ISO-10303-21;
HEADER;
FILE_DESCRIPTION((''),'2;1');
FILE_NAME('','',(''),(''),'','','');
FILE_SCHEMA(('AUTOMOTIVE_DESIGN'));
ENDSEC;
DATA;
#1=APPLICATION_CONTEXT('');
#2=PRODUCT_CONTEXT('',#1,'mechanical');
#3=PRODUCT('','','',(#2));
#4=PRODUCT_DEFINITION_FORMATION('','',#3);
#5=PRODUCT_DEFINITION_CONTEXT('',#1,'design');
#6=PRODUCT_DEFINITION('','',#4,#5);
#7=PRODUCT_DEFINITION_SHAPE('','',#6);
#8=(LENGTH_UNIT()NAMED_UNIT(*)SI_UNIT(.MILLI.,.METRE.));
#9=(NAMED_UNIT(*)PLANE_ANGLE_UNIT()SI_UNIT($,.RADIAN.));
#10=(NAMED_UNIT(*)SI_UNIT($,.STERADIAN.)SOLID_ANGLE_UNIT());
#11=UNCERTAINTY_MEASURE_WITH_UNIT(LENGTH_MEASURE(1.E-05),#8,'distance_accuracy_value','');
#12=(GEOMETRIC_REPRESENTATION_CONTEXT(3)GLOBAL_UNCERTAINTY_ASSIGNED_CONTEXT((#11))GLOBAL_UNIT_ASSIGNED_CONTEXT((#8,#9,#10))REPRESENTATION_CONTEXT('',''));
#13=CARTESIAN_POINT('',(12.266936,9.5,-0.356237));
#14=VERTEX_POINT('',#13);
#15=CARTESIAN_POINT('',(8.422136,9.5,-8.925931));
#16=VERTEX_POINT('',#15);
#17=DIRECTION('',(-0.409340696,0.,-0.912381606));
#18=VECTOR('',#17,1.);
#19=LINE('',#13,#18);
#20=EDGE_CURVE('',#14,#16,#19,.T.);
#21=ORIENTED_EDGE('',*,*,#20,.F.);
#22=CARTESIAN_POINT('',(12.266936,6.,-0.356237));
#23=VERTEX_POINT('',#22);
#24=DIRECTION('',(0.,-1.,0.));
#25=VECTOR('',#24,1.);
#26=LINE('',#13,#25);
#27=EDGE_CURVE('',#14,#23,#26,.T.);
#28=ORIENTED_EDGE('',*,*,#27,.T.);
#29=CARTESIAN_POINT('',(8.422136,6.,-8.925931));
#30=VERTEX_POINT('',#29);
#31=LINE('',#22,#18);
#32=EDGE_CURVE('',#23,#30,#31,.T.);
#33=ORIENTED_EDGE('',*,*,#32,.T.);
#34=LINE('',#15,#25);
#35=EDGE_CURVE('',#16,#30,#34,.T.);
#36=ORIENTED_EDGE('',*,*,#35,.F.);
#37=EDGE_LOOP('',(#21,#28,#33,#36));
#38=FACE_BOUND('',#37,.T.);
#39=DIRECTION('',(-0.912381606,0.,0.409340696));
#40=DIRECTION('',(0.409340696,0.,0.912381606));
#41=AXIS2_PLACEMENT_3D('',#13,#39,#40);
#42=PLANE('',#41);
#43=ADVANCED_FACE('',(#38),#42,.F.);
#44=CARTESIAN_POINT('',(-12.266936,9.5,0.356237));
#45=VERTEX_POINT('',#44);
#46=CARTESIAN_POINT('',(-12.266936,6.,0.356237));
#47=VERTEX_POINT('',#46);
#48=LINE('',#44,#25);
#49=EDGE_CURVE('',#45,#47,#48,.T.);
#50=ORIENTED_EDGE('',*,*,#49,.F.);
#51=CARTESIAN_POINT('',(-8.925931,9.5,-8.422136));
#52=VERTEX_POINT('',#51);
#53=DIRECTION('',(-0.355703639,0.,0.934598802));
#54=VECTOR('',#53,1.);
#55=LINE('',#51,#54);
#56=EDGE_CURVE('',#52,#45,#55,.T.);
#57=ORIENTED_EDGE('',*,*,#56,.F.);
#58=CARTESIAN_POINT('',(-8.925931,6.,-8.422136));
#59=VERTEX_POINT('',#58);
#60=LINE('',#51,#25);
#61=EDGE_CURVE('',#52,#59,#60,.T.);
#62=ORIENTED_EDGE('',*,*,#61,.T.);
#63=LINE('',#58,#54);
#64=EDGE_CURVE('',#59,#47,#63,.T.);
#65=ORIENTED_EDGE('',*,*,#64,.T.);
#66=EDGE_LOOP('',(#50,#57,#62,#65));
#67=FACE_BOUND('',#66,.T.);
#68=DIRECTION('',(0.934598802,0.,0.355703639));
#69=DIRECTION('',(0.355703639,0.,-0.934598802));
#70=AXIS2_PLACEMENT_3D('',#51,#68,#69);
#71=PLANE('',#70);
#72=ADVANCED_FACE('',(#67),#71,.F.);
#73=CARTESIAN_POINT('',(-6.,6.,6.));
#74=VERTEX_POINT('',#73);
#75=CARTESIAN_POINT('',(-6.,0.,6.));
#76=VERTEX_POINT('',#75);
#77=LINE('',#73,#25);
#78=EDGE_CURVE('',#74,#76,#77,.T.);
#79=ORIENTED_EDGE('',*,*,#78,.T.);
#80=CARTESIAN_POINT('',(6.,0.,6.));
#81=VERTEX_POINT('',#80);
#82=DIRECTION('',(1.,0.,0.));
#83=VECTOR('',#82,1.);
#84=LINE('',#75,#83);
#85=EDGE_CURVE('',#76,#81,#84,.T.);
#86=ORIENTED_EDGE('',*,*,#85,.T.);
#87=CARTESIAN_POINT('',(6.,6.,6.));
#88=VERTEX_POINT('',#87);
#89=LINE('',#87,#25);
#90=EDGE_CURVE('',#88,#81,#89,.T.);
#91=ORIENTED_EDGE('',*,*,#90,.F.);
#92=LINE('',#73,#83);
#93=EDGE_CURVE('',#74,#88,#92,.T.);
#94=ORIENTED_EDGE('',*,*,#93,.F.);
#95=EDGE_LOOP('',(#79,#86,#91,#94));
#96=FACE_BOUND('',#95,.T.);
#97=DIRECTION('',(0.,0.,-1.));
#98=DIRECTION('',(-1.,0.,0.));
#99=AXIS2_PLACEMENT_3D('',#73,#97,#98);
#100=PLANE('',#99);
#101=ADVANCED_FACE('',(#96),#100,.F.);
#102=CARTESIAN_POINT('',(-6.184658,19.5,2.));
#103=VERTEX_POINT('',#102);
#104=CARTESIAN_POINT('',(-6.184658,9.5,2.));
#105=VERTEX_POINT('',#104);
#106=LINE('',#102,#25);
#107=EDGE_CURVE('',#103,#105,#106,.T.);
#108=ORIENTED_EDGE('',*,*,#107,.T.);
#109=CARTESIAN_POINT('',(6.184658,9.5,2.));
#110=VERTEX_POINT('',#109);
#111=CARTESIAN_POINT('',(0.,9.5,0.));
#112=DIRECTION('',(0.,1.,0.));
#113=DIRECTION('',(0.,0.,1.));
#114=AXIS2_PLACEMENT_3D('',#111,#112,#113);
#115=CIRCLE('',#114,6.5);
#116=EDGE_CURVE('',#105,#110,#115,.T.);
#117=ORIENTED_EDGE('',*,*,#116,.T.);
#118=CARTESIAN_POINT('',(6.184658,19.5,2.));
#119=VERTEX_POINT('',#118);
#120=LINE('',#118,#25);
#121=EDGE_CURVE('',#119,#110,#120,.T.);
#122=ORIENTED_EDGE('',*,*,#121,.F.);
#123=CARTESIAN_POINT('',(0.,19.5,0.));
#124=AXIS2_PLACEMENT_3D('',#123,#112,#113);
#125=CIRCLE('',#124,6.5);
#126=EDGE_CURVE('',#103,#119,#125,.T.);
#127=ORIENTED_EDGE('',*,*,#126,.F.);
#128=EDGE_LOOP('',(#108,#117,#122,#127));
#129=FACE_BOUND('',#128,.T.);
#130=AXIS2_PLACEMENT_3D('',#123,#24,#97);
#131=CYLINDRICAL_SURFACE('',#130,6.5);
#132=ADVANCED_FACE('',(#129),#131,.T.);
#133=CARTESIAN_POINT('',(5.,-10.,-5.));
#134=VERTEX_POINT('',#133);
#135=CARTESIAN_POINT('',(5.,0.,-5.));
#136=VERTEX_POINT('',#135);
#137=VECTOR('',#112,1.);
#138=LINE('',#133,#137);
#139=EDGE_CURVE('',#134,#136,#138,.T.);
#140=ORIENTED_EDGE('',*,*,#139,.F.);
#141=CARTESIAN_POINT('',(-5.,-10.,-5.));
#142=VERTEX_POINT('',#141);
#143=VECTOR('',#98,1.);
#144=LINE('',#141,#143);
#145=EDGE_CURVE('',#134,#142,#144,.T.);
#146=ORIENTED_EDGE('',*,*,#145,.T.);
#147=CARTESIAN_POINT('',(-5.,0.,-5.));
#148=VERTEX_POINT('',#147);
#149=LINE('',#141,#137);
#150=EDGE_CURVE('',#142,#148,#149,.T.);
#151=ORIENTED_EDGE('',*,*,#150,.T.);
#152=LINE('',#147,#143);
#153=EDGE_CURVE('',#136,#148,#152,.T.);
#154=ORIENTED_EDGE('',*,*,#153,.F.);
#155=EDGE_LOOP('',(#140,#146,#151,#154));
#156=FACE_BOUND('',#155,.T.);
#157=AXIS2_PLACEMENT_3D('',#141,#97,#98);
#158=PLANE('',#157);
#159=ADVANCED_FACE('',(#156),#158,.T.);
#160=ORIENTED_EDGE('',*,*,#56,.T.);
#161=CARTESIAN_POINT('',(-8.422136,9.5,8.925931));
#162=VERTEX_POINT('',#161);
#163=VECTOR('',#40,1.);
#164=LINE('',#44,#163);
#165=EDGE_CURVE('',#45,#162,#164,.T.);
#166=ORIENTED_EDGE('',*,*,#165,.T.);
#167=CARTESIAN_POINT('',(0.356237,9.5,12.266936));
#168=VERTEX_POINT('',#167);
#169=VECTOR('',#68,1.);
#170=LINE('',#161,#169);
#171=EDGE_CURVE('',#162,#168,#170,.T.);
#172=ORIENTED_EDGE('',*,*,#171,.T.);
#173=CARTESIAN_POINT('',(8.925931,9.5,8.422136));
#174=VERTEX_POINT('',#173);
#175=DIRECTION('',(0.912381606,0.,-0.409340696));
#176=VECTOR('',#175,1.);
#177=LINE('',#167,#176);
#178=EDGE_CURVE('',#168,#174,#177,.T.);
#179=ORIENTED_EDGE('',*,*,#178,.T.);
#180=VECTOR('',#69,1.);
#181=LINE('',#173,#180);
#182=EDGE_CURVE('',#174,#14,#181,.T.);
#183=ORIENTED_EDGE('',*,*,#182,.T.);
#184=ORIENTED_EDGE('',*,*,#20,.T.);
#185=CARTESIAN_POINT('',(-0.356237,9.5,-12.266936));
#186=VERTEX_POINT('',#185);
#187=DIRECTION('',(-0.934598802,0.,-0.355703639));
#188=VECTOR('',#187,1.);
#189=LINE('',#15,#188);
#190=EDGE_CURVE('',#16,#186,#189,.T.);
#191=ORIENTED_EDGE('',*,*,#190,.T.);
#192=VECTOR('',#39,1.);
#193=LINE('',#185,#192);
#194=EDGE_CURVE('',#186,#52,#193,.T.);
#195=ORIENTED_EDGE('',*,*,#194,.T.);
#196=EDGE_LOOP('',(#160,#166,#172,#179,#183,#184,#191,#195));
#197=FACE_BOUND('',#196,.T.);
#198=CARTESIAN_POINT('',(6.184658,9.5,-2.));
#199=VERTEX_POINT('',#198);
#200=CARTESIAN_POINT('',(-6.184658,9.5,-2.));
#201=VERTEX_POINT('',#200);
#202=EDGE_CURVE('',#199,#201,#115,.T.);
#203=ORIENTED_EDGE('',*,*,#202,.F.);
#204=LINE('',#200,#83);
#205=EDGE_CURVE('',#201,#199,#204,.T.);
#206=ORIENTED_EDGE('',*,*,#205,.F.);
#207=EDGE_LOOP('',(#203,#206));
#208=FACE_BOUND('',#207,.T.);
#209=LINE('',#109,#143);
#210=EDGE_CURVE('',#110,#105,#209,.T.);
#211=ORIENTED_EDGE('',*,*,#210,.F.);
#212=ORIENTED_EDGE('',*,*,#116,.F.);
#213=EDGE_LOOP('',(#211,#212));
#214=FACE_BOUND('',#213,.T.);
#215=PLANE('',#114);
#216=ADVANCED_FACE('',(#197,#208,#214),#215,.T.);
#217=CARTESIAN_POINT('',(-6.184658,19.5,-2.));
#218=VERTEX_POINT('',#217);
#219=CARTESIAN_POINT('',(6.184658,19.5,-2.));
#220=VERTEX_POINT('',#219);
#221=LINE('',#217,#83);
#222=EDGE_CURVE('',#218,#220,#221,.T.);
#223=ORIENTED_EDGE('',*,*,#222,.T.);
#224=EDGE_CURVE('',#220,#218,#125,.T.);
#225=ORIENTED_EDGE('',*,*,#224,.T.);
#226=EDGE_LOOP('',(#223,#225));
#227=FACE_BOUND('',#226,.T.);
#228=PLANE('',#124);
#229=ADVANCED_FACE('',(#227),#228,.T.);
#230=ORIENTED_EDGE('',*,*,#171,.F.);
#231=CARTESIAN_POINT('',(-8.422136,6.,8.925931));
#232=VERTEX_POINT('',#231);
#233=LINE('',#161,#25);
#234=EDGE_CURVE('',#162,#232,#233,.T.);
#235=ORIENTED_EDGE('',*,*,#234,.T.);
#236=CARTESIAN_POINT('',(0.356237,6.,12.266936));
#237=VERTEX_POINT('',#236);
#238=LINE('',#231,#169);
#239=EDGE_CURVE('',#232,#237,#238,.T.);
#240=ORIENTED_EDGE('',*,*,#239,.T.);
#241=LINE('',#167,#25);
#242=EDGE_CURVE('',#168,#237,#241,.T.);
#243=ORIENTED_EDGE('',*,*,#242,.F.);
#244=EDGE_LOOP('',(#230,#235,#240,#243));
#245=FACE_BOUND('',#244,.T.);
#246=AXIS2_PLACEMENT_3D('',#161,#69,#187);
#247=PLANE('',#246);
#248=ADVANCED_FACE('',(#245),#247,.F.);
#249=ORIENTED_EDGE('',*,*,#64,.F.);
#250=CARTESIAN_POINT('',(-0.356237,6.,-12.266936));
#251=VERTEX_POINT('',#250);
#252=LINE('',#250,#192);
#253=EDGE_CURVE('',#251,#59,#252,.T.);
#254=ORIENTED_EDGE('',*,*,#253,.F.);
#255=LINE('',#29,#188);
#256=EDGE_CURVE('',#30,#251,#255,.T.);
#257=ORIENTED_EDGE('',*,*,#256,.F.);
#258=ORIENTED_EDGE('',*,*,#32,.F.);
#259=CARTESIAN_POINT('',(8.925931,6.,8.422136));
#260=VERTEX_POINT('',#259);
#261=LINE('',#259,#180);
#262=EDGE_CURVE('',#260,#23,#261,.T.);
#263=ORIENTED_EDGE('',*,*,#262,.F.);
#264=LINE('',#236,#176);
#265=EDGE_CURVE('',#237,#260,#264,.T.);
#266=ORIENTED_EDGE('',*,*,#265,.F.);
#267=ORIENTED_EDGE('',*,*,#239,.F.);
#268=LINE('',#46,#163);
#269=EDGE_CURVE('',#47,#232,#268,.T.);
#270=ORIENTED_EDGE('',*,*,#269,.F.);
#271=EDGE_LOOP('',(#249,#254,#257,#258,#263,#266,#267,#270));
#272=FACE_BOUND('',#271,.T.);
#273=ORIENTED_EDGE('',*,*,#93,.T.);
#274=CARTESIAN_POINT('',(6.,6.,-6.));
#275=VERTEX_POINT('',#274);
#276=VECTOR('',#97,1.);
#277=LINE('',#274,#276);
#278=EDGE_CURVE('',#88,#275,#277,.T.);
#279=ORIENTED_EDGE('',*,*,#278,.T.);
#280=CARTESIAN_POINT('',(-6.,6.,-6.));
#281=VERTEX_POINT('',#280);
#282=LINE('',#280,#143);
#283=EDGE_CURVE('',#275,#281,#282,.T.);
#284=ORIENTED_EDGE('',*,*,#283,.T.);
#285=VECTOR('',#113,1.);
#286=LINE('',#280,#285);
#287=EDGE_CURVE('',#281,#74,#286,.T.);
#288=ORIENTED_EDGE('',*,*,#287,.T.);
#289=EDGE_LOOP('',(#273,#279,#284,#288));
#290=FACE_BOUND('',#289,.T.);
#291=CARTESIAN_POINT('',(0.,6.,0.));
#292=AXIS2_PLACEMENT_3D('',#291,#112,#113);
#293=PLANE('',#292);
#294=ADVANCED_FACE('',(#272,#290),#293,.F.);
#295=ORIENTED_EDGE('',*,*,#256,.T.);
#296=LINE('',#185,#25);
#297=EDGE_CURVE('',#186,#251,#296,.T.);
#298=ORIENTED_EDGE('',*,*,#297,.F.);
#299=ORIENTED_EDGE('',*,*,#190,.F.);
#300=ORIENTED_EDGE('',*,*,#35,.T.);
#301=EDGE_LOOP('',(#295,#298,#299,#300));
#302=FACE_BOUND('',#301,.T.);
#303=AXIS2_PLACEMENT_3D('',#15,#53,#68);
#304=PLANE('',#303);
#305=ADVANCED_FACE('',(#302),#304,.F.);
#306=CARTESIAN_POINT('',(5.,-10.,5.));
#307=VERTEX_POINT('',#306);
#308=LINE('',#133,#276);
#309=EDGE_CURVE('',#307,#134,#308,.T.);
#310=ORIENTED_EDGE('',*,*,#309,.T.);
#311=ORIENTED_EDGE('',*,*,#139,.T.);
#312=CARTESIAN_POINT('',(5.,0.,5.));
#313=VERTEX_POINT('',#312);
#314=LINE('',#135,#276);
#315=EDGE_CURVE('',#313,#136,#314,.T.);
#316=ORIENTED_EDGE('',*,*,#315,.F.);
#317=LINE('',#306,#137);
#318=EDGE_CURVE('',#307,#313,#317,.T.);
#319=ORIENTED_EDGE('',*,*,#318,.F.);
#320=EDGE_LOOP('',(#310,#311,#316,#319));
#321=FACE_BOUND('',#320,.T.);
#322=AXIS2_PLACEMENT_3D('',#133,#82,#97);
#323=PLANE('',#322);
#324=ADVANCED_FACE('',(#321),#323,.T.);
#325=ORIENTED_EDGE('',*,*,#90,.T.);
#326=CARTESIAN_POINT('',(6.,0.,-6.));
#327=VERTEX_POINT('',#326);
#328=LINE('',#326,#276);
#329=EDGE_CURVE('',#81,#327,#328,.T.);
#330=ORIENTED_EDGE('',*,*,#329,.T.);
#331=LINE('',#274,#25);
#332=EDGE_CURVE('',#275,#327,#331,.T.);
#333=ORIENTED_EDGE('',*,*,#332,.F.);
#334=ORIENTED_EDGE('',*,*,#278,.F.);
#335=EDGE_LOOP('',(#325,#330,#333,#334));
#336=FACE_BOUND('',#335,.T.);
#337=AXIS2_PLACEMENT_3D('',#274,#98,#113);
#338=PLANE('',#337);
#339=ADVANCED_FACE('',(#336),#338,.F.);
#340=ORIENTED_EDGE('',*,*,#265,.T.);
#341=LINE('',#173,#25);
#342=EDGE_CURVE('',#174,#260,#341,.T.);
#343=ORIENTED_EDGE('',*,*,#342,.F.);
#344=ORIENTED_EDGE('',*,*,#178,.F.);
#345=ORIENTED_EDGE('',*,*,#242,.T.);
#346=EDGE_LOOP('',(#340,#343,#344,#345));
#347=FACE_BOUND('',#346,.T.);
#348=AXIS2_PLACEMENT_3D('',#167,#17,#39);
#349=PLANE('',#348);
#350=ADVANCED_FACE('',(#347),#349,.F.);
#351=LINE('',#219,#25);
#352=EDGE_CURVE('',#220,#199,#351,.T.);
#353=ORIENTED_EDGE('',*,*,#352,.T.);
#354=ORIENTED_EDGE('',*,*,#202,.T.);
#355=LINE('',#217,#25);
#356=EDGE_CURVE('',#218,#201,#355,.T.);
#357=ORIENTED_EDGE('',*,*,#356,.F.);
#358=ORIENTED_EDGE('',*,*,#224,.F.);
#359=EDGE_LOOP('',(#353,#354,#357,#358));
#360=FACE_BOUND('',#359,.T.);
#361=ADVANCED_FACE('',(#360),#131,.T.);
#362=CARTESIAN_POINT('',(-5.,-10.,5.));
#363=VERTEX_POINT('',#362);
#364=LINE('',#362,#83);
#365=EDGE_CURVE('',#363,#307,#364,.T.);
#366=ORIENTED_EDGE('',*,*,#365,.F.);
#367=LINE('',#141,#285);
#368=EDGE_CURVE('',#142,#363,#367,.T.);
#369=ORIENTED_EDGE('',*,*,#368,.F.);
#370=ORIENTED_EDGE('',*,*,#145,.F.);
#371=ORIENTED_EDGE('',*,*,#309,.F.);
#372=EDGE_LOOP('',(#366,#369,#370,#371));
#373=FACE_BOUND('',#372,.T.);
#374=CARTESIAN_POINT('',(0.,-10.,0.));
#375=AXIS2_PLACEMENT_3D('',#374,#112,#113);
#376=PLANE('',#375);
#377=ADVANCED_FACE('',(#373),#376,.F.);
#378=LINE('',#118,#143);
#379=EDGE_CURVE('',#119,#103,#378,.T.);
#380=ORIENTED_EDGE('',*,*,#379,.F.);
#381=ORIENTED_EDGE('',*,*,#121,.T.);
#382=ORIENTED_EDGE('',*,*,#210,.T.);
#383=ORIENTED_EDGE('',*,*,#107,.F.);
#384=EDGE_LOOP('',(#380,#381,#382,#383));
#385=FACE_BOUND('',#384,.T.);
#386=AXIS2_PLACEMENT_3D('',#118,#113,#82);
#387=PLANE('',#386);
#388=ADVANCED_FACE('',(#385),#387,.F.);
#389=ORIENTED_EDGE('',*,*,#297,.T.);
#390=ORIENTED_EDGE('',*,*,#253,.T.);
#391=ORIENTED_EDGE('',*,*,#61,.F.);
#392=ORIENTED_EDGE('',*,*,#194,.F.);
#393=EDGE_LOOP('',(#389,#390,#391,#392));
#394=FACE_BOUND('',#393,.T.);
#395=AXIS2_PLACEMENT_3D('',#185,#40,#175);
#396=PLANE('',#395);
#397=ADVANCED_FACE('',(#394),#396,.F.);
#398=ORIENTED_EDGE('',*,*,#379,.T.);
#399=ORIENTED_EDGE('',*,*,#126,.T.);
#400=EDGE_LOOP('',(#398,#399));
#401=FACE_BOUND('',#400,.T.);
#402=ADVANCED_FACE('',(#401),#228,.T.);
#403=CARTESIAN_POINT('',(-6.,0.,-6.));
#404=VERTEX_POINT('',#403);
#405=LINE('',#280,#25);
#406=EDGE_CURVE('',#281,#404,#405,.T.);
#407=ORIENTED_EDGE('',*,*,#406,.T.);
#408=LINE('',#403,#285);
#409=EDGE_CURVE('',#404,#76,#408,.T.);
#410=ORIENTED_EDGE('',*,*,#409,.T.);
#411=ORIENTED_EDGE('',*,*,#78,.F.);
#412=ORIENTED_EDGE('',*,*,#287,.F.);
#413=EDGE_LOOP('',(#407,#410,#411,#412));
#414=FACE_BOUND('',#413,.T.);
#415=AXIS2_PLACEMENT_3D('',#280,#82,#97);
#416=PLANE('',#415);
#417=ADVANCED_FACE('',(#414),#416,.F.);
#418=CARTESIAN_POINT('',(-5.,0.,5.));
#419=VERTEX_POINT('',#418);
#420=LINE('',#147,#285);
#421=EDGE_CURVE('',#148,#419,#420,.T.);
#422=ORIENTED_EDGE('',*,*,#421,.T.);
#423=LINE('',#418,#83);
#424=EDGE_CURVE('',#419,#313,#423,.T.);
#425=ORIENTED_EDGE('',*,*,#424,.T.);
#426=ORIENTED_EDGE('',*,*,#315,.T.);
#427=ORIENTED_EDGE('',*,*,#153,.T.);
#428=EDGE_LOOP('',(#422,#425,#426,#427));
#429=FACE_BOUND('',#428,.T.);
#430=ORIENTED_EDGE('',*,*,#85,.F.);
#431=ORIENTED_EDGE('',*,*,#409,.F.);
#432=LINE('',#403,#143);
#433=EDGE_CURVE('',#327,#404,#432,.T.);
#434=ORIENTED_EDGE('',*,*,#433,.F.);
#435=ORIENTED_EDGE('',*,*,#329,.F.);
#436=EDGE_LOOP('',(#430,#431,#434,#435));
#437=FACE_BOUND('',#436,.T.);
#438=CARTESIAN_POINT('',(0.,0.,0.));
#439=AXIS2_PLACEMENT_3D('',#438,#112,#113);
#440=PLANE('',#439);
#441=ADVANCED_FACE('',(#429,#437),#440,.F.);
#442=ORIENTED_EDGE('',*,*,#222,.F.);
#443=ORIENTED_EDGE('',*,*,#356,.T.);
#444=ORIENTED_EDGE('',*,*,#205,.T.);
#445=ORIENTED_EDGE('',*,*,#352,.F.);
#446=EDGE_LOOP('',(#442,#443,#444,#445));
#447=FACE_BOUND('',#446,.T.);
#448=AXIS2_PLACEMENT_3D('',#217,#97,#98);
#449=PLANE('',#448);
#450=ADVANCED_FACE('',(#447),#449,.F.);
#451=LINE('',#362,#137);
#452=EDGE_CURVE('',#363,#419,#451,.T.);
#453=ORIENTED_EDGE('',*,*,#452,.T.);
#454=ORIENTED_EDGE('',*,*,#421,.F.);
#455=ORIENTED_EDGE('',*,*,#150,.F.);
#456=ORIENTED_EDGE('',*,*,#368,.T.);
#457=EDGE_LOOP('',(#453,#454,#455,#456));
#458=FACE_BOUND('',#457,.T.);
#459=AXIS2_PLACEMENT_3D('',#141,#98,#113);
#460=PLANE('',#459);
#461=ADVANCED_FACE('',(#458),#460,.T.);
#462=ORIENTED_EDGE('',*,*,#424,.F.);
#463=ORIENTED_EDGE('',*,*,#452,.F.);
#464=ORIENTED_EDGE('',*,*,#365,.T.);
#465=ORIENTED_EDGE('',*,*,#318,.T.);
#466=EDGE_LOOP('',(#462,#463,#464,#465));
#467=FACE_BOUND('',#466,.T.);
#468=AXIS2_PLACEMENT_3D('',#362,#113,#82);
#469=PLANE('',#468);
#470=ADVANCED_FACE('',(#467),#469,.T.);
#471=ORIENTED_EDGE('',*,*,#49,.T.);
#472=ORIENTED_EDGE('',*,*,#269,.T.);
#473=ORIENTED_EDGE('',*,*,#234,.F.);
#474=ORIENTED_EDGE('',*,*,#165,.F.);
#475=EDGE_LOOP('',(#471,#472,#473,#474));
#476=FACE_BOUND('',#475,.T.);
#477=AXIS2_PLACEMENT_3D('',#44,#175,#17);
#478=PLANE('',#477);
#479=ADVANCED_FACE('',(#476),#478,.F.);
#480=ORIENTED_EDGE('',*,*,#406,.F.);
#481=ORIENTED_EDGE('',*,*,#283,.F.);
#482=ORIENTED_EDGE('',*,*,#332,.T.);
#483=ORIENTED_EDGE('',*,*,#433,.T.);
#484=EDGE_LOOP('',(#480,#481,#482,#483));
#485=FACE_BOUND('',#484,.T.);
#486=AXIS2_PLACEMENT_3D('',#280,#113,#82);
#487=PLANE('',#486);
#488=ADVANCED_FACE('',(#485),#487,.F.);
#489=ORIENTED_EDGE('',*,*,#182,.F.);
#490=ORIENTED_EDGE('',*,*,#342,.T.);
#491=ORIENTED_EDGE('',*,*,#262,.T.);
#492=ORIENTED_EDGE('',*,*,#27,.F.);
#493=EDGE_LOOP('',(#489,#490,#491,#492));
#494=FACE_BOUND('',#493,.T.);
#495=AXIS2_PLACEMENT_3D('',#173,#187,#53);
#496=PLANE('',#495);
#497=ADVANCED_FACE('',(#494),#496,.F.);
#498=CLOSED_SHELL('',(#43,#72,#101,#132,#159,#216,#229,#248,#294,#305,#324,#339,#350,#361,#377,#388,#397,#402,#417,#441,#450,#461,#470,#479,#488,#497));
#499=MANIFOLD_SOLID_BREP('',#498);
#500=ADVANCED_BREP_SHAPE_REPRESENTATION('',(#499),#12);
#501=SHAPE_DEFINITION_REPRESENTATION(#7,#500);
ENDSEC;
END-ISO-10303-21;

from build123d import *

# Parameters (mm, degrees)
SKETCH1_W            = 10
SKETCH1_H            = 10
BOSS_EXTRUDE1_DEPTH  = 10
SKETCH2_W            = 12
SKETCH2_H            = 12
BOSS_EXTRUDE5_DEPTH  = 6
BOSS_EXTRUDE6_DEPTH  = 3.5
BOSS_EXTRUDE11_DEPTH = 10


with BuildPart() as part:
    # Sketch1 → Boss-Extrude1 (new body)
    with BuildSketch(Plane(origin=(0, 0, 0), x_dir=(1, 0, 0), z_dir=(0, 1, 0))):
        Rectangle(SKETCH1_W, SKETCH1_H)
    extrude(amount=-BOSS_EXTRUDE1_DEPTH)

    # Sketch2 → Boss-Extrude5 (add)
    with BuildSketch(Plane(origin=(0, 0, 0), x_dir=(1, 0, 0), z_dir=(0, 1, 0))):
        Rectangle(SKETCH2_W, SKETCH2_H)
    extrude(amount=BOSS_EXTRUDE5_DEPTH)

    # Sketch4 → Boss-Extrude6 (add)
    with BuildSketch(Plane(origin=(0, 6, 0), x_dir=(1, 0, 0), z_dir=(0, 1, 0))):
        Polygon((0.35623678, -12.266936068), (8.925931121, -8.422136236), (12.266936068, 0.35623678), (8.422136236, 8.925931121), (-0.35623678, 12.266936068), (-8.925931121, 8.422136236), (-12.266936068, -0.35623678), (-8.422136236, -8.925931121), align=None)
    extrude(amount=BOSS_EXTRUDE6_DEPTH)

    # Sketch8 → Boss-Extrude11 (add)
    with BuildSketch(Plane(origin=(0, 9.5, 0), x_dir=(1, 0, 0), z_dir=(0, 1, 0))):
        with BuildLine():
            Line((-6.184658438, 2), (6.184658438, 2))
            ThreePointArc((6.184658438, 2), (0, 6.5), (-6.184658438, 2))
        make_face()
        with BuildLine():
            Line((6.184658438, -2), (-6.184658438, -2))
            ThreePointArc((-6.184658438, -2), (0, -6.5), (6.184658438, -2))
        make_face()
    extrude(amount=BOSS_EXTRUDE11_DEPTH)


solid = part.part
